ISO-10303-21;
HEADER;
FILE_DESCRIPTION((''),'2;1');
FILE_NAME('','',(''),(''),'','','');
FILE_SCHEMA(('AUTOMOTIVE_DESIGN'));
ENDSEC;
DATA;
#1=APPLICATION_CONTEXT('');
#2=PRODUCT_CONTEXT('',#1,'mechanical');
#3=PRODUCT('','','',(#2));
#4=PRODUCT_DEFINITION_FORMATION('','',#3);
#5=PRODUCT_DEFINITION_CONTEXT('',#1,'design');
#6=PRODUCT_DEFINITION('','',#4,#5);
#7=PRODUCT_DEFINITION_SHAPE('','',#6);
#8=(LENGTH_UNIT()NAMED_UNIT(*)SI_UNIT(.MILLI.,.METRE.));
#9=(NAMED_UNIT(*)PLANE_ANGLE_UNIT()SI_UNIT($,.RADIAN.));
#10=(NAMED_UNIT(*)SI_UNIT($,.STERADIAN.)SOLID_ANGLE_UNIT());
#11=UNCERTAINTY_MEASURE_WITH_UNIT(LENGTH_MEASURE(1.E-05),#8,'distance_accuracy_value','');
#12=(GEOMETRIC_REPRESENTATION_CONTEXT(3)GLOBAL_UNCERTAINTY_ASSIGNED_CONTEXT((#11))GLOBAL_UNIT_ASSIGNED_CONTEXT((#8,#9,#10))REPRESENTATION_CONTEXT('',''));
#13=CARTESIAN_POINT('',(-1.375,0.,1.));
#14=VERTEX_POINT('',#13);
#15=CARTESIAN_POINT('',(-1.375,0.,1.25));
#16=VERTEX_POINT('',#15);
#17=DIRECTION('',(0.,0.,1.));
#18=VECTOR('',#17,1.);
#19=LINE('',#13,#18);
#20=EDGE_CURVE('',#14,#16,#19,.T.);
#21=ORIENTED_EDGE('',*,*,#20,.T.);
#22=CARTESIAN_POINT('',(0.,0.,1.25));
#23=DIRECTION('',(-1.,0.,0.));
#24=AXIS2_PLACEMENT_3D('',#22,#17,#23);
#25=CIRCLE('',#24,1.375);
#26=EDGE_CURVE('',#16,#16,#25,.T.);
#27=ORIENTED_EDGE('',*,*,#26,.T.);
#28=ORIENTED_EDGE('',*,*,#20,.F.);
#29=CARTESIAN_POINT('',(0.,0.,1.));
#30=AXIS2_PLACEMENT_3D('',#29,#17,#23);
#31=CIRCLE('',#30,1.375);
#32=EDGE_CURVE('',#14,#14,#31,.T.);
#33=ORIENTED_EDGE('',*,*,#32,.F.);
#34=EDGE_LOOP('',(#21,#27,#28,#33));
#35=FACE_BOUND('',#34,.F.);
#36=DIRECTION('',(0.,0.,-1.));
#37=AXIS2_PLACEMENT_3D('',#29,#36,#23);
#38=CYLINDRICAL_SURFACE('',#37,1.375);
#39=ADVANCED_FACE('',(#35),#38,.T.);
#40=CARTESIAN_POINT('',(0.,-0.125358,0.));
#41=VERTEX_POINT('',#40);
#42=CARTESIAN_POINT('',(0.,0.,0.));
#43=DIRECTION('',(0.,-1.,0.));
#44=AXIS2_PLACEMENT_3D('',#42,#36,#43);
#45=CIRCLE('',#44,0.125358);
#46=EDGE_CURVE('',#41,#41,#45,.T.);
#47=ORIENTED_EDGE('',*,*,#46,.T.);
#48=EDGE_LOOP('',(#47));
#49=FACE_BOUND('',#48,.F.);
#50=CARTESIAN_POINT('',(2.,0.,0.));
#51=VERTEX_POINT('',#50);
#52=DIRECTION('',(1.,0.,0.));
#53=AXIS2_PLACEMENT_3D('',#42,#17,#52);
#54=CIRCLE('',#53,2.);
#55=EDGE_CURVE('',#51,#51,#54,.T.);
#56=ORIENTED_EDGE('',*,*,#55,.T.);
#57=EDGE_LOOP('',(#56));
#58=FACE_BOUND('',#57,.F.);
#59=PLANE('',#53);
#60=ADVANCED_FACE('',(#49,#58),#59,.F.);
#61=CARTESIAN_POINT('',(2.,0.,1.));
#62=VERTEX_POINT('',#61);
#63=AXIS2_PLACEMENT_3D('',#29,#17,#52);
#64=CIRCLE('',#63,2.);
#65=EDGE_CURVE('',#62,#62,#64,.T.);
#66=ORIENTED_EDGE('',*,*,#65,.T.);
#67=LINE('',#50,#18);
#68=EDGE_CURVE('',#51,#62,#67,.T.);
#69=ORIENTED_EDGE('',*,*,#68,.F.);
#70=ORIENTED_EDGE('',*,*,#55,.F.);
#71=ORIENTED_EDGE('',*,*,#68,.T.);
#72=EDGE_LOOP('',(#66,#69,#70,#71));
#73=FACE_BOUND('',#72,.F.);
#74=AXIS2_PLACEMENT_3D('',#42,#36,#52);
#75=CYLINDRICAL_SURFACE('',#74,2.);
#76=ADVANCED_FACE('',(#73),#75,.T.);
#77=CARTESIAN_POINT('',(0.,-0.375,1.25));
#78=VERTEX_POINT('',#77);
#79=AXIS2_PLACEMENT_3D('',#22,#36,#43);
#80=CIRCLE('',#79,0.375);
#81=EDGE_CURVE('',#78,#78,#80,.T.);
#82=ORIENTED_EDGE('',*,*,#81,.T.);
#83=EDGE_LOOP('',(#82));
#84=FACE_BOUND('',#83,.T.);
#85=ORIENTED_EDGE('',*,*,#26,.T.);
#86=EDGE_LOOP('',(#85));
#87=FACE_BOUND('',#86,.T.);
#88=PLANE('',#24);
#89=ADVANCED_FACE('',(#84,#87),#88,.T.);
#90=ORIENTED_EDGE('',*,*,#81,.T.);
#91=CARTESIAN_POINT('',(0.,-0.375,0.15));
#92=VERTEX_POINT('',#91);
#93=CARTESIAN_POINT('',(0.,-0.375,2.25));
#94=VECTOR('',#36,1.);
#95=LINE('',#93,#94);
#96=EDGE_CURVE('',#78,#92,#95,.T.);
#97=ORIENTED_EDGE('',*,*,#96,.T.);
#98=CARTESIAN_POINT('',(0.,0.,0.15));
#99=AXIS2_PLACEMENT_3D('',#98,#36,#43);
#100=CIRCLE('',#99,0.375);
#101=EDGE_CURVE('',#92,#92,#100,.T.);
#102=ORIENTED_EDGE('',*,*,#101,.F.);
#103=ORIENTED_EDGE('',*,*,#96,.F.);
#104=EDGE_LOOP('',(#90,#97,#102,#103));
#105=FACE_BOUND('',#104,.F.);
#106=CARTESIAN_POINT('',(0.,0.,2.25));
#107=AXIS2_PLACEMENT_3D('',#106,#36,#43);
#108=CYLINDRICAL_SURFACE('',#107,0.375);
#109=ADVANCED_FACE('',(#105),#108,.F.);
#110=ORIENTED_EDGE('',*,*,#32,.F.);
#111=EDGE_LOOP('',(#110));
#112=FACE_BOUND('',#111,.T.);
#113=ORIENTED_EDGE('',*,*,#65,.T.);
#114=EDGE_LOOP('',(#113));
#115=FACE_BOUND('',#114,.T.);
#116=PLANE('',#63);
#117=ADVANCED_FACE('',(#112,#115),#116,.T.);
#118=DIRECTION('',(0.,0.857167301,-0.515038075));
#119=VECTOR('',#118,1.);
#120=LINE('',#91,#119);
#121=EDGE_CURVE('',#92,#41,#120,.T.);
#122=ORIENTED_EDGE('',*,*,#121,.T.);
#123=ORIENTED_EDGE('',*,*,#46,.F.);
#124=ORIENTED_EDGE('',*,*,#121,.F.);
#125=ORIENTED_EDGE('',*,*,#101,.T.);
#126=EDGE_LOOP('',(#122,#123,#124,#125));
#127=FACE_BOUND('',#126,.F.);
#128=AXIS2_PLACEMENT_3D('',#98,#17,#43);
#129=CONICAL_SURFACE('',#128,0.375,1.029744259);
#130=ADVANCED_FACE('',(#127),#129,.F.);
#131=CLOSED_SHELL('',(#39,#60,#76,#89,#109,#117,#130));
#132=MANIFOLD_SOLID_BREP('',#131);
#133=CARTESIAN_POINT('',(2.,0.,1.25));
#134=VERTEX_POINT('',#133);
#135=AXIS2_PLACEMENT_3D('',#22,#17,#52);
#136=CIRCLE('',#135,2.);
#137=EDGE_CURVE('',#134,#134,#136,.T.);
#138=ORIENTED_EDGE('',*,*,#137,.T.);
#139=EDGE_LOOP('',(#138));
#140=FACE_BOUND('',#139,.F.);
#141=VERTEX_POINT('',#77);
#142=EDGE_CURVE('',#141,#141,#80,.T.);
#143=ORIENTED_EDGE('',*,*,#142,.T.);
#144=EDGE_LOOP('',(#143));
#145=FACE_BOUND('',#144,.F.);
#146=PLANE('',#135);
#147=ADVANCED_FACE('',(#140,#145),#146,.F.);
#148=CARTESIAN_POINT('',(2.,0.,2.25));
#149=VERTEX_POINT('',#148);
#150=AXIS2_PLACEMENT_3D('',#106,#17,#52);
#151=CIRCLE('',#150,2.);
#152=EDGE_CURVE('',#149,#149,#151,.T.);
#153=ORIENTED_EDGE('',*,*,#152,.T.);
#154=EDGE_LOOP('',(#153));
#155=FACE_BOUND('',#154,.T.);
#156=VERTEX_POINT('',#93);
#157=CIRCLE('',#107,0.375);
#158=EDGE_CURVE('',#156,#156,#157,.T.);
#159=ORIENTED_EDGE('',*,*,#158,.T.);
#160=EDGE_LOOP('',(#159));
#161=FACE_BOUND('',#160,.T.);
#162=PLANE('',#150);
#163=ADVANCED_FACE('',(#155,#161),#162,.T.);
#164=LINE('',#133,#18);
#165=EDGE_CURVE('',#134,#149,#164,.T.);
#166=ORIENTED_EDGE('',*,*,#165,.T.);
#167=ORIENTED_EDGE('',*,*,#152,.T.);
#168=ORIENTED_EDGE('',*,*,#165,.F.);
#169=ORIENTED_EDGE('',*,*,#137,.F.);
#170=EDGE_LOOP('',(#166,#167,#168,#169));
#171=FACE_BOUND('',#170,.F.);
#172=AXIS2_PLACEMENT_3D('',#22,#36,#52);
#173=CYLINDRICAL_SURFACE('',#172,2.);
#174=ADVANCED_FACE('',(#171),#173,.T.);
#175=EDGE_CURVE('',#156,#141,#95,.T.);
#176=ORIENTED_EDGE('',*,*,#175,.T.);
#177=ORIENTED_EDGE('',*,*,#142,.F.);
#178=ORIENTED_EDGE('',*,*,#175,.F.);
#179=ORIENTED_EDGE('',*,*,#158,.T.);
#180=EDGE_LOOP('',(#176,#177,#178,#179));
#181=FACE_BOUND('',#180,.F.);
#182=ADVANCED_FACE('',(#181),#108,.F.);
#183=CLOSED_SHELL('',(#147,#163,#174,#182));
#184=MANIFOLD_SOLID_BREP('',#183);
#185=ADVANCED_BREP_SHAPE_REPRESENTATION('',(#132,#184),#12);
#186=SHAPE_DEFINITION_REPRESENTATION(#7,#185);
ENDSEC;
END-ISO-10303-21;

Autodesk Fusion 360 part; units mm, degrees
sketch "Sketch1" plane through (0, 0, 0) normal (0, 0, 1) x (1, 0, 0)
  circle A0 centre (0, 0) radius 2
  dimension "d1" = 4
extrude "Extrude1" add sketch "Sketch1" along normal blind 1 makes body 1
sketch "Sketch2" plane through (0, 0, 1) normal (0, 0, 1) x (-1, 0, 0)
  circle A0 centre (0, 0) radius 2
  circle A1 centre (0, 0) radius 1.375
  dimension "d4" = 2.75
extrude "Extrude2" add sketch "Sketch2" along normal blind 0.25 contours A1 bodies 1
sketch "Sketch3" plane through (0, 0, 0) normal (0, 0, 1) x (1, 0, 0)
  circle A0 centre (0, 0) radius 1.5
  circle A1 centre (0, 0) radius 2
  dimension "d7" = 3
  dimension "d8" = 4
extrude "Extrude3" add sketch "Sketch3" along normal blind 2.25 and the other way blind -1.25 separate body contours A0 | A1 makes body 2
hole "Hole1" at (0, 0, 2.25) direction (0, 0, -1) diameter 0.75 depth 2.1 tip angle 118 bodies 1 2
